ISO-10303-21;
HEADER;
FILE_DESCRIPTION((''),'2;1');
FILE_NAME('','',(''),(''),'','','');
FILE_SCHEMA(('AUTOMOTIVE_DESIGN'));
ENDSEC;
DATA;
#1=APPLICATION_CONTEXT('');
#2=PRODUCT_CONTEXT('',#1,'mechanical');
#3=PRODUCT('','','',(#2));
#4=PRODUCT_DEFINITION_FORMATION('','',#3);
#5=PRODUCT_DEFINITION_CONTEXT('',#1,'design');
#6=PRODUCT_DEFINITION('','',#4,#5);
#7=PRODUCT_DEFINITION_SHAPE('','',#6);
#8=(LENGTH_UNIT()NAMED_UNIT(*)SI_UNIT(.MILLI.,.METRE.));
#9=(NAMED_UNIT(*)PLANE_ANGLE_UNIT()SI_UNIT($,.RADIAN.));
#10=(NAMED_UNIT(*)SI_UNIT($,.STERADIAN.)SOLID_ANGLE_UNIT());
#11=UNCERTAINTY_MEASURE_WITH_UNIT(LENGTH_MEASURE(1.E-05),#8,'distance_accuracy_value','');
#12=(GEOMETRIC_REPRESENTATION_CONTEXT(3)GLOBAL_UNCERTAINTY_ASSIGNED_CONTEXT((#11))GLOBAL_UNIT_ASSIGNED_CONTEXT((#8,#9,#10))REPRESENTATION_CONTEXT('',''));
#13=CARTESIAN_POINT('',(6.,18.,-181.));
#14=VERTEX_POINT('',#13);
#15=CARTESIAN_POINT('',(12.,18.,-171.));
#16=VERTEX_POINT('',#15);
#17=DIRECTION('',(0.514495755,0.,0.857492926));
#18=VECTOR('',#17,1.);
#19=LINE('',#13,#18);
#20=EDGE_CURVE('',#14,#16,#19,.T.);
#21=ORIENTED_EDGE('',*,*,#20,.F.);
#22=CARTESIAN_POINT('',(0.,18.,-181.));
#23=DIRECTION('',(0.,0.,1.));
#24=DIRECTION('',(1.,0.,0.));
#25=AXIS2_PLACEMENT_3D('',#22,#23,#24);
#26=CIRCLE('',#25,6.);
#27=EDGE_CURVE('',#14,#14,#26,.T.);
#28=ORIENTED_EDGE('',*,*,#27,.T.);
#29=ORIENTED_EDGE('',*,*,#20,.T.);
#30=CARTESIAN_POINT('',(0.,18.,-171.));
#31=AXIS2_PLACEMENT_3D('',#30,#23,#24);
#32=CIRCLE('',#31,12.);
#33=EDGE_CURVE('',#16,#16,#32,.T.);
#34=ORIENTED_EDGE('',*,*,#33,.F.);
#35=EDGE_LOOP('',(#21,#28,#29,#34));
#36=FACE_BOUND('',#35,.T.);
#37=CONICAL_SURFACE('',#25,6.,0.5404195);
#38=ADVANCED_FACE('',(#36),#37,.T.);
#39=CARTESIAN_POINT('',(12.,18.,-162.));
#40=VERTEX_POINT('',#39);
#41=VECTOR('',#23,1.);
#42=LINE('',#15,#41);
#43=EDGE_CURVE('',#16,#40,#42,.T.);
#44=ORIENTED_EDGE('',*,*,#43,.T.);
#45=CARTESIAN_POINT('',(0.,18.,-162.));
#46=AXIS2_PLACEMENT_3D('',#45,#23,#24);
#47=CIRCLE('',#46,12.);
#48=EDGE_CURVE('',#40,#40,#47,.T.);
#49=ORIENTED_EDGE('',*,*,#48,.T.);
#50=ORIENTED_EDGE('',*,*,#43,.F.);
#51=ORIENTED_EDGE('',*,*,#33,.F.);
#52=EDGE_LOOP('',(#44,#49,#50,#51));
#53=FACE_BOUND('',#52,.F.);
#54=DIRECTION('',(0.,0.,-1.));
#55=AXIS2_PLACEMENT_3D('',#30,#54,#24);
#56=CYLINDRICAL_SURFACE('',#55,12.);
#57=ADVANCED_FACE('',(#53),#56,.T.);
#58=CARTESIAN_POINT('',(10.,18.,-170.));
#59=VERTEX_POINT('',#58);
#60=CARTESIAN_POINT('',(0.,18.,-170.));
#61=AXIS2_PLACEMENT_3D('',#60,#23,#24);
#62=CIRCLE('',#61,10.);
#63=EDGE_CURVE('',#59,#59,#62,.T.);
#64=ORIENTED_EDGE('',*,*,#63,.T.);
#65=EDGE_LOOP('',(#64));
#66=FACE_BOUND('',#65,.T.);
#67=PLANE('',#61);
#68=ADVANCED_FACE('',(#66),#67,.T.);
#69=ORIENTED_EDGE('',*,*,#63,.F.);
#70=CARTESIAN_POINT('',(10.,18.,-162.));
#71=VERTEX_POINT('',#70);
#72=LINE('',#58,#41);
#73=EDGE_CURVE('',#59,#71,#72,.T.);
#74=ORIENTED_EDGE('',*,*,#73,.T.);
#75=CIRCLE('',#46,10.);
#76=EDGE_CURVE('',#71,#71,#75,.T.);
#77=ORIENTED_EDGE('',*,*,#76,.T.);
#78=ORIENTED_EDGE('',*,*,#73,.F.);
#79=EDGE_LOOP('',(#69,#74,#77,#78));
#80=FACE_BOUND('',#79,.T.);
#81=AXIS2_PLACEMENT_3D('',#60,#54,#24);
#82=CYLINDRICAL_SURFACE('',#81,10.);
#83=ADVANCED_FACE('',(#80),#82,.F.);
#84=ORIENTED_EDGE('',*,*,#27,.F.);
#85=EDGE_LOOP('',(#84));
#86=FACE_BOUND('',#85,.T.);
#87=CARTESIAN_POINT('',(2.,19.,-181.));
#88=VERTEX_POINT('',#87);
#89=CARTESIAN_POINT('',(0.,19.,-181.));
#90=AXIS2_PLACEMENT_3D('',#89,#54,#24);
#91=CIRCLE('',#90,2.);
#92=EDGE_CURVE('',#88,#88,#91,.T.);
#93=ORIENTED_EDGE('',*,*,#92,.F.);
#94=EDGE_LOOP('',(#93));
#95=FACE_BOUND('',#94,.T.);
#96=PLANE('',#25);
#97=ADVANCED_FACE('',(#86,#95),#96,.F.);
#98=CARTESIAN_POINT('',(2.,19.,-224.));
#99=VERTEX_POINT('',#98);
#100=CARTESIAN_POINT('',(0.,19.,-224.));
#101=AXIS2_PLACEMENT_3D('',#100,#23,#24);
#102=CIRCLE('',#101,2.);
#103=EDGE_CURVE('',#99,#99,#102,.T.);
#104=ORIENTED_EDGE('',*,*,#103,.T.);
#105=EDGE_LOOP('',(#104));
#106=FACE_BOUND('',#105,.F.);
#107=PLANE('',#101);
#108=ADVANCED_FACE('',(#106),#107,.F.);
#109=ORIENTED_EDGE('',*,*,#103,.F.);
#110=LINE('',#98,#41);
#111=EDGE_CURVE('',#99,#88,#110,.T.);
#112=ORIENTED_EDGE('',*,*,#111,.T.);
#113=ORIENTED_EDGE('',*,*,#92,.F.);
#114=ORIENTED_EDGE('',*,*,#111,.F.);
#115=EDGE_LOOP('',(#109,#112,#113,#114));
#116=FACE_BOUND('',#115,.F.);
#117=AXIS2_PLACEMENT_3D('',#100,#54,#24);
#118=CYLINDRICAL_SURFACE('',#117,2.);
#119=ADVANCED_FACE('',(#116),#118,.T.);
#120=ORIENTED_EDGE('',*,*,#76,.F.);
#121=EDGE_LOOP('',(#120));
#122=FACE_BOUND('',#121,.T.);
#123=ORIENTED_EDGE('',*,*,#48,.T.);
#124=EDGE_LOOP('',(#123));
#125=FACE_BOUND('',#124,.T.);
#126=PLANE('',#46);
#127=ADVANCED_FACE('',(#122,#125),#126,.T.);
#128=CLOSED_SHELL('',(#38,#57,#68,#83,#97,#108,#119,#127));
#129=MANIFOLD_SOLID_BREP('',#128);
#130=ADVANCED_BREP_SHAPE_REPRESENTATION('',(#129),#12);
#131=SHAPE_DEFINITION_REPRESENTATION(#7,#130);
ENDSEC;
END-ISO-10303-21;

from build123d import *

# Parameters (mm, degrees)
CYLINDER084_R     = 2
CYLINDER084_DEPTH = 52
CYLINDER048_R     = 10
CYLINDER048_DEPTH = 8
CYLINDER049_R     = 12
CYLINDER049_DEPTH = 9


with BuildPart() as cylindre080:
    # Cylinder084 → Cylinder084 (new body)
    with BuildSketch(Plane(origin=(0, 19, -224), x_dir=(1, 0, 0), z_dir=(0, 0, 1))):
        Circle(CYLINDER084_R)
    extrude(amount=CYLINDER084_DEPTH)


with BuildPart() as c_ne:
    # Cone → Cone (revolve)
    with BuildSketch(Plane(origin=(0, 18, -181), x_dir=(1, 0, 0), z_dir=(0, -1, 0))):
        Polygon((0, 0), (6, 0), (12, 10), (0, 10), align=None)
    revolve(axis=Axis((0, 18, -181), (0, 0, 1)))


with BuildPart() as cylindre044:
    # Cylinder048 → Cylinder048 (new body)
    with BuildSketch(Plane(origin=(0, 18, -170), x_dir=(1, 0, 0), z_dir=(0, 0, 1))):
        Circle(CYLINDER048_R)
    extrude(amount=CYLINDER048_DEPTH)


with BuildPart() as fusion046:
    # Cylinder049 → Cylinder049 (new body)
    with BuildSketch(Plane(origin=(0, 18, -171), x_dir=(1, 0, 0), z_dir=(0, 0, 1))):
        Circle(CYLINDER049_R)
    extrude(amount=CYLINDER049_DEPTH)

    # Cut036: cut Cylindre044
    add(cylindre044.part, mode=Mode.SUBTRACT)

    # Fusion024: union Cône
    add(c_ne.part)

    # Fusion046: union Cylindre080
    add(cylindre080.part)


solid = fusion046.part
